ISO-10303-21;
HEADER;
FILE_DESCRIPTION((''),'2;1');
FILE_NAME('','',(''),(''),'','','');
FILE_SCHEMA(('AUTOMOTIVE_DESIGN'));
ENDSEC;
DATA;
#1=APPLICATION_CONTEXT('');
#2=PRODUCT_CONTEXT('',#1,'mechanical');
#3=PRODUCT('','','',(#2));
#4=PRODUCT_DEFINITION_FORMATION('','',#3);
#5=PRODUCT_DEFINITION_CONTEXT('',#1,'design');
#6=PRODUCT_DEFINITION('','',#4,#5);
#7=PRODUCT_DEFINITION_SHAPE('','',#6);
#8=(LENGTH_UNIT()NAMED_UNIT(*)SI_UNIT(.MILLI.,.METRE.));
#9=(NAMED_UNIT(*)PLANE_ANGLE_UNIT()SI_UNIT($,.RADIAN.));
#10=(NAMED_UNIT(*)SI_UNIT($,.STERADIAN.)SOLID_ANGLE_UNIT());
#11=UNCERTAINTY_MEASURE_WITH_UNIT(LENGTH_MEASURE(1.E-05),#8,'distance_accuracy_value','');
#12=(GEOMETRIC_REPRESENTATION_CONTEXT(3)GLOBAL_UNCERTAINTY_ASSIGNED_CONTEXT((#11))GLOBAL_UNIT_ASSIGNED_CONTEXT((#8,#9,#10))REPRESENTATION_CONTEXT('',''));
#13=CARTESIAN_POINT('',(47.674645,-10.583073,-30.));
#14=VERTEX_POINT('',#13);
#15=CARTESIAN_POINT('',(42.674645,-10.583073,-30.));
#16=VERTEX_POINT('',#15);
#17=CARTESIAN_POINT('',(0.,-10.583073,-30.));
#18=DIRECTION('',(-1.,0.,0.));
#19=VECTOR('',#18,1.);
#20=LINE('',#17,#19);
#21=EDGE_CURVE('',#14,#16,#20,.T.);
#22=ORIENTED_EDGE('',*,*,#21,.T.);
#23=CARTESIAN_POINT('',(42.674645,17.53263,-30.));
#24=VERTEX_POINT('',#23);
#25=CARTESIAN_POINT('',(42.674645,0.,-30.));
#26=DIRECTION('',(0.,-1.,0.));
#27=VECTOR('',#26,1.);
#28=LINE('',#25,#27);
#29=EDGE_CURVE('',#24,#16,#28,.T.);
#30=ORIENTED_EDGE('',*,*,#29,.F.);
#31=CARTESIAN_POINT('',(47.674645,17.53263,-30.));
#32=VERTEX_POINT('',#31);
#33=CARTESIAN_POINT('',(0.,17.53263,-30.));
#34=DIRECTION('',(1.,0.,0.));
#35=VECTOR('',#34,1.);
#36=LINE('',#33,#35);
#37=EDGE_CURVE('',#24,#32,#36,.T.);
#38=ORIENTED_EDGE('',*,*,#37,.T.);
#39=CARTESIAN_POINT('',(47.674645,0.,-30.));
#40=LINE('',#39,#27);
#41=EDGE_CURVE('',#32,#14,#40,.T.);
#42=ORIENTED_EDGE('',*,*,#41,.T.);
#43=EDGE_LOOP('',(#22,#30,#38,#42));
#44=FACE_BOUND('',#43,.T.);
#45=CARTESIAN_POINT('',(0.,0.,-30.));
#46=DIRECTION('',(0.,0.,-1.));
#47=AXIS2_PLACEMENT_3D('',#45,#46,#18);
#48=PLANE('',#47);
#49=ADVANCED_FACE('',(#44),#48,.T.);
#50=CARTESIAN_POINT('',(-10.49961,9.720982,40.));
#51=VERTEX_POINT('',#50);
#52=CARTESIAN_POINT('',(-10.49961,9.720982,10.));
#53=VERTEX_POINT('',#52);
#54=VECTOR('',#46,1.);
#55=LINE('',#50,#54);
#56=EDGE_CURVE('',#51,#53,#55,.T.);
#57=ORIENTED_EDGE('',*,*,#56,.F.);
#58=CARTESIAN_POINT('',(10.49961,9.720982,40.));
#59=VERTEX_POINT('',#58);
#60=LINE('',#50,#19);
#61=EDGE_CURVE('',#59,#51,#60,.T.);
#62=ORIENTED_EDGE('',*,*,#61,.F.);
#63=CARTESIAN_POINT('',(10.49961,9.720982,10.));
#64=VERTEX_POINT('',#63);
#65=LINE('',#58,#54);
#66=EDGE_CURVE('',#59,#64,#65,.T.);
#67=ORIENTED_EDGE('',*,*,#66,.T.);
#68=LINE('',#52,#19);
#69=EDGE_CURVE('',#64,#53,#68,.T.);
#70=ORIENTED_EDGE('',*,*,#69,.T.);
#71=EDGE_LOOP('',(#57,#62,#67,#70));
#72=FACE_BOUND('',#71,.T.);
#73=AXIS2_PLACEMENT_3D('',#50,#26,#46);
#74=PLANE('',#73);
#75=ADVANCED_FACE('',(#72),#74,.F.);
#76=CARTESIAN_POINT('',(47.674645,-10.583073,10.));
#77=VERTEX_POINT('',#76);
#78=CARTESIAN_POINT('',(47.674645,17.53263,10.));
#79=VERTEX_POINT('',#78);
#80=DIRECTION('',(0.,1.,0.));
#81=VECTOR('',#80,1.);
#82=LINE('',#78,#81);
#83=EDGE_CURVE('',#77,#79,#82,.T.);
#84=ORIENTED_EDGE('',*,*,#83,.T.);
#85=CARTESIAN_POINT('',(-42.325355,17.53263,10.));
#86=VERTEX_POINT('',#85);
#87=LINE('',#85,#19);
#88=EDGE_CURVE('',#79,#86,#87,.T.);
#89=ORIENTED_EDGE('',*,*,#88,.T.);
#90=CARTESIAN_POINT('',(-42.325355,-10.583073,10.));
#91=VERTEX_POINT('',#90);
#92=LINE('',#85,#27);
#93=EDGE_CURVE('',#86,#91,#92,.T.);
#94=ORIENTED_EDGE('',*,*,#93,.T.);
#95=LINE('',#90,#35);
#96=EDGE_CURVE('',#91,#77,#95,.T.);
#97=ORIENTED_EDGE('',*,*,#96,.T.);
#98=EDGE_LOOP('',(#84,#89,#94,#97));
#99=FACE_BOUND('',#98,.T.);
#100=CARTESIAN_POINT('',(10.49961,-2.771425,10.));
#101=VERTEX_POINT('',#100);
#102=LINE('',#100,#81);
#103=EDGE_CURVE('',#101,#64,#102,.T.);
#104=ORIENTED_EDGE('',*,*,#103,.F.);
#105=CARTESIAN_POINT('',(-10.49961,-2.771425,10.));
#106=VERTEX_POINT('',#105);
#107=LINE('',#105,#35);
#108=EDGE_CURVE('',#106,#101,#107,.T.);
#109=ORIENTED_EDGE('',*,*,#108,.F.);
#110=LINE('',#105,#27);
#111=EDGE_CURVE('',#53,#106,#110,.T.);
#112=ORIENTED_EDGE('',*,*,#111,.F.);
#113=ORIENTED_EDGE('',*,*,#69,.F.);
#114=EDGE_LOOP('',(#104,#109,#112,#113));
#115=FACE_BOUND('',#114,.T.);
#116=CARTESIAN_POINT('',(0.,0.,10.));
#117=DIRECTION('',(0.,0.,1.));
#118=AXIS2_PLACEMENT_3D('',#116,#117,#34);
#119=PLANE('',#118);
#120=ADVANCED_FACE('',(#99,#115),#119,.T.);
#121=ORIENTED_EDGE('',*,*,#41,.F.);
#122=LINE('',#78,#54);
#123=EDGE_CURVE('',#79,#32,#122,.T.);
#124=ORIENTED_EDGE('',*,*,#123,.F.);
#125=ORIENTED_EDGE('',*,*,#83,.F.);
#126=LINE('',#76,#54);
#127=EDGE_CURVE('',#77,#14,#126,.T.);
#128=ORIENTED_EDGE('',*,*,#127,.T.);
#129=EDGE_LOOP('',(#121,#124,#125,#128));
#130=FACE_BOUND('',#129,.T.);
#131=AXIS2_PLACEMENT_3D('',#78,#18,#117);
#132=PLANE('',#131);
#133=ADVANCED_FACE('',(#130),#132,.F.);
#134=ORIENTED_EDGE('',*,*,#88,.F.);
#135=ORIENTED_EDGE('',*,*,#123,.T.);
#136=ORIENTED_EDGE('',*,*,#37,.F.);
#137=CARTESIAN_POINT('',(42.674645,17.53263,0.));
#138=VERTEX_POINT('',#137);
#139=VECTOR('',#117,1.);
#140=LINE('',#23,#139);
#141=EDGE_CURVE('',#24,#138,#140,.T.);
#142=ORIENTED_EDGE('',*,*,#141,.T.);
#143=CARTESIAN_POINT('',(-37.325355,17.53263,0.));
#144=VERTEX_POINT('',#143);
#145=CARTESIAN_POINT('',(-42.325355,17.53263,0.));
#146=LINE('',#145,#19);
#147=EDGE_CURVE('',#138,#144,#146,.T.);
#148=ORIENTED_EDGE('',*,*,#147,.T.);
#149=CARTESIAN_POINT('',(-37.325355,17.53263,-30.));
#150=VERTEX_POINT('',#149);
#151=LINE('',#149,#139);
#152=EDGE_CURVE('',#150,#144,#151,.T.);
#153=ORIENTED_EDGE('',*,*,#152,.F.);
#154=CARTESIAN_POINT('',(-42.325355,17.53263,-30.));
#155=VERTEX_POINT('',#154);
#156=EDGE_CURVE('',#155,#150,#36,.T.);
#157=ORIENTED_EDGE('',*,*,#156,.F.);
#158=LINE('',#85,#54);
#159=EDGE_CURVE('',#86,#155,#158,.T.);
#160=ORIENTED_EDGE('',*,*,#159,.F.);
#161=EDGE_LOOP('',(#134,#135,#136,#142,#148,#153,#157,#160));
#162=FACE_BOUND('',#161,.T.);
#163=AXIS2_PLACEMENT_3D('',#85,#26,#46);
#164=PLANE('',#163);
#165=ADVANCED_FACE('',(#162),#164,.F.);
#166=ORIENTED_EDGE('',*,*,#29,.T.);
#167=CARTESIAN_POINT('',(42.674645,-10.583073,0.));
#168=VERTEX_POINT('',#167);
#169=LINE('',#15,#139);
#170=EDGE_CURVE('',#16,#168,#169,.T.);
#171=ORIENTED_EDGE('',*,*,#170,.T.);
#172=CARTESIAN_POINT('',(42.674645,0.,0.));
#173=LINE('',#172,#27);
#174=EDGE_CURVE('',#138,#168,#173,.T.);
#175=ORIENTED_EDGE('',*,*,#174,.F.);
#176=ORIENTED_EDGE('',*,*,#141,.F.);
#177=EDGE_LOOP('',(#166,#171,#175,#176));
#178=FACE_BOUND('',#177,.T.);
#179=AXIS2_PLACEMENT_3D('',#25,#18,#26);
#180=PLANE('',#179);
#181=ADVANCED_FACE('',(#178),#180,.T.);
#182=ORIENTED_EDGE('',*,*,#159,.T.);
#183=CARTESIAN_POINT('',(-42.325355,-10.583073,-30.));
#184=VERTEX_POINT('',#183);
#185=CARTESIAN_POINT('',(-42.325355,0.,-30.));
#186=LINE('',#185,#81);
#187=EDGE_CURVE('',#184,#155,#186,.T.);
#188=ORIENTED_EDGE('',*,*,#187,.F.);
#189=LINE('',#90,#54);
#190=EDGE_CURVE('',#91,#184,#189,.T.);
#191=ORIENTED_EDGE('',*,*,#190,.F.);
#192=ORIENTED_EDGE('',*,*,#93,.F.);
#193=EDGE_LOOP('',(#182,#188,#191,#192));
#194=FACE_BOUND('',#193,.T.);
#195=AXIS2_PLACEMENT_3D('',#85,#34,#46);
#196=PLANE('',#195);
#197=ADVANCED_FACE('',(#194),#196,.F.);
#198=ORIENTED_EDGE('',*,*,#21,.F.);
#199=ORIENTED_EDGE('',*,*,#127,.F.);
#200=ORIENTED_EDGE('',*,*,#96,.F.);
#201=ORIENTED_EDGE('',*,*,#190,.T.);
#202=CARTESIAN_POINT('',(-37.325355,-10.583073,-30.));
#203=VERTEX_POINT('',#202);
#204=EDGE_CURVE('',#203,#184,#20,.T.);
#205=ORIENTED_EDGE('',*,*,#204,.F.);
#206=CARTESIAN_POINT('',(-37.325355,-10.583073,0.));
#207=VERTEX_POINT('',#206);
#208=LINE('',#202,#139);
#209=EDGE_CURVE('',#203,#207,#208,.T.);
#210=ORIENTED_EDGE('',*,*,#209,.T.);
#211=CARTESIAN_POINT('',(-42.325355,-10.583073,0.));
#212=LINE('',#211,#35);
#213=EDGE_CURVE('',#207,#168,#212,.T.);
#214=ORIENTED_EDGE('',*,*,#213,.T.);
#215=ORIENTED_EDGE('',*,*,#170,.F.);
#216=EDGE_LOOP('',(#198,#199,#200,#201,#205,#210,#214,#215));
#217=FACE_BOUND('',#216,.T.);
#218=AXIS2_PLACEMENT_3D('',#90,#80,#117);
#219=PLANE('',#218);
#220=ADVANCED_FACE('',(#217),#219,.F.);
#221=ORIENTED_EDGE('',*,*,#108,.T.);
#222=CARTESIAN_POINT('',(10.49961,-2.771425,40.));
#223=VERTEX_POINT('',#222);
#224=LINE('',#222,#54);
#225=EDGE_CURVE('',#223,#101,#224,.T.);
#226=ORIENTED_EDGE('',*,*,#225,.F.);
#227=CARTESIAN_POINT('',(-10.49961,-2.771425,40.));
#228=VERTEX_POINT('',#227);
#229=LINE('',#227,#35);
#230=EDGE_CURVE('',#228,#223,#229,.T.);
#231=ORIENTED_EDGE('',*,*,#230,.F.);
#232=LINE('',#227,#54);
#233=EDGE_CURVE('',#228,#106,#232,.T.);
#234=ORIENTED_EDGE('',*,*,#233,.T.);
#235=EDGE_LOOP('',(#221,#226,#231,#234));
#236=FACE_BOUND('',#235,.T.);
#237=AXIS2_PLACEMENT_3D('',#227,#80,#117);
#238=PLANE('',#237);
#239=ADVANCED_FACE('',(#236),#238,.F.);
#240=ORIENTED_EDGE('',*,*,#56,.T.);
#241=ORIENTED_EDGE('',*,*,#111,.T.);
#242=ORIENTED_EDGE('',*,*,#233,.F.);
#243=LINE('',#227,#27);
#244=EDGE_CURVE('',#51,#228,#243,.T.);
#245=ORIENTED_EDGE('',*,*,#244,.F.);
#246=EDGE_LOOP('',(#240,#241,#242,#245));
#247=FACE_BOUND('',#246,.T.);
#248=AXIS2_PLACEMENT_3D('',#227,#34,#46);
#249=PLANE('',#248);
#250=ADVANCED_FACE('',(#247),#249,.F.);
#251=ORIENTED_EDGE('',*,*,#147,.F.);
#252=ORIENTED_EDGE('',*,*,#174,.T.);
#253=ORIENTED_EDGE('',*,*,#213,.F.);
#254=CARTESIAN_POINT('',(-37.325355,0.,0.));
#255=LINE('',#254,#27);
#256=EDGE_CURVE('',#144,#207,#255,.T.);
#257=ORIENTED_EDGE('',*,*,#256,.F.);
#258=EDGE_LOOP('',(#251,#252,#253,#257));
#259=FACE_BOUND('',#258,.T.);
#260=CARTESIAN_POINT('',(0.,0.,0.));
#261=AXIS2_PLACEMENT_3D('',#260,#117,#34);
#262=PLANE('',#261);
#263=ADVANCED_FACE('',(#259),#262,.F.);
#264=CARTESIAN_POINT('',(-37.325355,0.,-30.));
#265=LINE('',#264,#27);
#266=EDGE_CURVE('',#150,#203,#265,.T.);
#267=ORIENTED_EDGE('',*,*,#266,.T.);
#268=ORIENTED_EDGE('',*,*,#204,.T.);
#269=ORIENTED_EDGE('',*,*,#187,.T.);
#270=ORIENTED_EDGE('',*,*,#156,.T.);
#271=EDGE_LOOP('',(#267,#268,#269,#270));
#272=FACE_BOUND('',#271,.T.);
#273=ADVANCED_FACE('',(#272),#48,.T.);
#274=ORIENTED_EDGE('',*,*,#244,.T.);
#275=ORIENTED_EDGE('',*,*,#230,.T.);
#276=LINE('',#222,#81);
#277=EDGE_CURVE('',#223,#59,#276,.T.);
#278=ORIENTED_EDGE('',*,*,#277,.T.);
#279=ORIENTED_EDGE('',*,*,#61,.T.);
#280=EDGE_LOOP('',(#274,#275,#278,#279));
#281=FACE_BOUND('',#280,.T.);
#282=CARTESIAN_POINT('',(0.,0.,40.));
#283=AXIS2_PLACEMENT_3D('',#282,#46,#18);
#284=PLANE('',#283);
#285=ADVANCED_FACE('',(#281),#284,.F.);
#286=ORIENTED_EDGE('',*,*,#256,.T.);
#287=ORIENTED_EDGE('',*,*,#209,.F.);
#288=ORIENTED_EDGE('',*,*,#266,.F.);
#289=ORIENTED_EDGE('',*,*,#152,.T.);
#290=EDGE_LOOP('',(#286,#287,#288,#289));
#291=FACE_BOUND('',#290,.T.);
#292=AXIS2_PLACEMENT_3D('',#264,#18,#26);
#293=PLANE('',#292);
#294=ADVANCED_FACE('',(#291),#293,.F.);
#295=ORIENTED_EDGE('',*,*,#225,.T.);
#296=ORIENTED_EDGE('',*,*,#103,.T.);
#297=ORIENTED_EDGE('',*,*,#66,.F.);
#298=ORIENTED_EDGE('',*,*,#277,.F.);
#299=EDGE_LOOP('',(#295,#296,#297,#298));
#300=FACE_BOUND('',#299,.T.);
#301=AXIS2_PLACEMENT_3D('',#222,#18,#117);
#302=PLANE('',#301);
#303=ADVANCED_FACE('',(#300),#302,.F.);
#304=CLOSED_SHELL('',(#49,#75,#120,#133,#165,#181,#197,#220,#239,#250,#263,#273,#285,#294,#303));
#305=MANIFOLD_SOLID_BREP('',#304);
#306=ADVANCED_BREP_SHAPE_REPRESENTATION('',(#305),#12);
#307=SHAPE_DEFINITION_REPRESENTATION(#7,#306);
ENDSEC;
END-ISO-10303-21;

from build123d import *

# Parameters (mm, degrees)
SKETCH_1_W      = 90
SKETCH_1_H      = 28.115702479
EXTRUDE_1_DEPTH = 10
SKETCH_2_W      = 20.999219252
SKETCH_2_H      = 12.492407229
EXTRUDE_2_DEPTH = 30
SKETCH_3_W      = 5
SKETCH_3_H      = 28.115702479
EXTRUDE_3_DEPTH = 30


with BuildPart() as part:
    # 草图1 → 凸台-拉伸1 (new body)
    with BuildSketch(Plane.XY):
        with Locations((2.674645003, 3.474778593)):
            Rectangle(SKETCH_1_W, SKETCH_1_H)
    extrude(amount=EXTRUDE_1_DEPTH)

    # 草图2 → 凸台-拉伸2 (add)
    with BuildSketch(Plane.XY.offset(10)):
        with Locations((0, 3.474778592)):
            Rectangle(SKETCH_2_W, SKETCH_2_H)
    extrude(amount=EXTRUDE_2_DEPTH)

    # 草图3 → 凸台-拉伸3 (add)
    with BuildSketch(Plane(origin=(0, 0, 0), x_dir=(-1, 0, 0), z_dir=(0, 0, -1))):
        with Locations((39.825354997, 3.474778593)):
            Rectangle(SKETCH_3_W, SKETCH_3_H)
        with Locations((-45.174645003, 3.474778593)):
            Rectangle(SKETCH_3_W, SKETCH_3_H)
    extrude(amount=EXTRUDE_3_DEPTH)


solid = part.part
